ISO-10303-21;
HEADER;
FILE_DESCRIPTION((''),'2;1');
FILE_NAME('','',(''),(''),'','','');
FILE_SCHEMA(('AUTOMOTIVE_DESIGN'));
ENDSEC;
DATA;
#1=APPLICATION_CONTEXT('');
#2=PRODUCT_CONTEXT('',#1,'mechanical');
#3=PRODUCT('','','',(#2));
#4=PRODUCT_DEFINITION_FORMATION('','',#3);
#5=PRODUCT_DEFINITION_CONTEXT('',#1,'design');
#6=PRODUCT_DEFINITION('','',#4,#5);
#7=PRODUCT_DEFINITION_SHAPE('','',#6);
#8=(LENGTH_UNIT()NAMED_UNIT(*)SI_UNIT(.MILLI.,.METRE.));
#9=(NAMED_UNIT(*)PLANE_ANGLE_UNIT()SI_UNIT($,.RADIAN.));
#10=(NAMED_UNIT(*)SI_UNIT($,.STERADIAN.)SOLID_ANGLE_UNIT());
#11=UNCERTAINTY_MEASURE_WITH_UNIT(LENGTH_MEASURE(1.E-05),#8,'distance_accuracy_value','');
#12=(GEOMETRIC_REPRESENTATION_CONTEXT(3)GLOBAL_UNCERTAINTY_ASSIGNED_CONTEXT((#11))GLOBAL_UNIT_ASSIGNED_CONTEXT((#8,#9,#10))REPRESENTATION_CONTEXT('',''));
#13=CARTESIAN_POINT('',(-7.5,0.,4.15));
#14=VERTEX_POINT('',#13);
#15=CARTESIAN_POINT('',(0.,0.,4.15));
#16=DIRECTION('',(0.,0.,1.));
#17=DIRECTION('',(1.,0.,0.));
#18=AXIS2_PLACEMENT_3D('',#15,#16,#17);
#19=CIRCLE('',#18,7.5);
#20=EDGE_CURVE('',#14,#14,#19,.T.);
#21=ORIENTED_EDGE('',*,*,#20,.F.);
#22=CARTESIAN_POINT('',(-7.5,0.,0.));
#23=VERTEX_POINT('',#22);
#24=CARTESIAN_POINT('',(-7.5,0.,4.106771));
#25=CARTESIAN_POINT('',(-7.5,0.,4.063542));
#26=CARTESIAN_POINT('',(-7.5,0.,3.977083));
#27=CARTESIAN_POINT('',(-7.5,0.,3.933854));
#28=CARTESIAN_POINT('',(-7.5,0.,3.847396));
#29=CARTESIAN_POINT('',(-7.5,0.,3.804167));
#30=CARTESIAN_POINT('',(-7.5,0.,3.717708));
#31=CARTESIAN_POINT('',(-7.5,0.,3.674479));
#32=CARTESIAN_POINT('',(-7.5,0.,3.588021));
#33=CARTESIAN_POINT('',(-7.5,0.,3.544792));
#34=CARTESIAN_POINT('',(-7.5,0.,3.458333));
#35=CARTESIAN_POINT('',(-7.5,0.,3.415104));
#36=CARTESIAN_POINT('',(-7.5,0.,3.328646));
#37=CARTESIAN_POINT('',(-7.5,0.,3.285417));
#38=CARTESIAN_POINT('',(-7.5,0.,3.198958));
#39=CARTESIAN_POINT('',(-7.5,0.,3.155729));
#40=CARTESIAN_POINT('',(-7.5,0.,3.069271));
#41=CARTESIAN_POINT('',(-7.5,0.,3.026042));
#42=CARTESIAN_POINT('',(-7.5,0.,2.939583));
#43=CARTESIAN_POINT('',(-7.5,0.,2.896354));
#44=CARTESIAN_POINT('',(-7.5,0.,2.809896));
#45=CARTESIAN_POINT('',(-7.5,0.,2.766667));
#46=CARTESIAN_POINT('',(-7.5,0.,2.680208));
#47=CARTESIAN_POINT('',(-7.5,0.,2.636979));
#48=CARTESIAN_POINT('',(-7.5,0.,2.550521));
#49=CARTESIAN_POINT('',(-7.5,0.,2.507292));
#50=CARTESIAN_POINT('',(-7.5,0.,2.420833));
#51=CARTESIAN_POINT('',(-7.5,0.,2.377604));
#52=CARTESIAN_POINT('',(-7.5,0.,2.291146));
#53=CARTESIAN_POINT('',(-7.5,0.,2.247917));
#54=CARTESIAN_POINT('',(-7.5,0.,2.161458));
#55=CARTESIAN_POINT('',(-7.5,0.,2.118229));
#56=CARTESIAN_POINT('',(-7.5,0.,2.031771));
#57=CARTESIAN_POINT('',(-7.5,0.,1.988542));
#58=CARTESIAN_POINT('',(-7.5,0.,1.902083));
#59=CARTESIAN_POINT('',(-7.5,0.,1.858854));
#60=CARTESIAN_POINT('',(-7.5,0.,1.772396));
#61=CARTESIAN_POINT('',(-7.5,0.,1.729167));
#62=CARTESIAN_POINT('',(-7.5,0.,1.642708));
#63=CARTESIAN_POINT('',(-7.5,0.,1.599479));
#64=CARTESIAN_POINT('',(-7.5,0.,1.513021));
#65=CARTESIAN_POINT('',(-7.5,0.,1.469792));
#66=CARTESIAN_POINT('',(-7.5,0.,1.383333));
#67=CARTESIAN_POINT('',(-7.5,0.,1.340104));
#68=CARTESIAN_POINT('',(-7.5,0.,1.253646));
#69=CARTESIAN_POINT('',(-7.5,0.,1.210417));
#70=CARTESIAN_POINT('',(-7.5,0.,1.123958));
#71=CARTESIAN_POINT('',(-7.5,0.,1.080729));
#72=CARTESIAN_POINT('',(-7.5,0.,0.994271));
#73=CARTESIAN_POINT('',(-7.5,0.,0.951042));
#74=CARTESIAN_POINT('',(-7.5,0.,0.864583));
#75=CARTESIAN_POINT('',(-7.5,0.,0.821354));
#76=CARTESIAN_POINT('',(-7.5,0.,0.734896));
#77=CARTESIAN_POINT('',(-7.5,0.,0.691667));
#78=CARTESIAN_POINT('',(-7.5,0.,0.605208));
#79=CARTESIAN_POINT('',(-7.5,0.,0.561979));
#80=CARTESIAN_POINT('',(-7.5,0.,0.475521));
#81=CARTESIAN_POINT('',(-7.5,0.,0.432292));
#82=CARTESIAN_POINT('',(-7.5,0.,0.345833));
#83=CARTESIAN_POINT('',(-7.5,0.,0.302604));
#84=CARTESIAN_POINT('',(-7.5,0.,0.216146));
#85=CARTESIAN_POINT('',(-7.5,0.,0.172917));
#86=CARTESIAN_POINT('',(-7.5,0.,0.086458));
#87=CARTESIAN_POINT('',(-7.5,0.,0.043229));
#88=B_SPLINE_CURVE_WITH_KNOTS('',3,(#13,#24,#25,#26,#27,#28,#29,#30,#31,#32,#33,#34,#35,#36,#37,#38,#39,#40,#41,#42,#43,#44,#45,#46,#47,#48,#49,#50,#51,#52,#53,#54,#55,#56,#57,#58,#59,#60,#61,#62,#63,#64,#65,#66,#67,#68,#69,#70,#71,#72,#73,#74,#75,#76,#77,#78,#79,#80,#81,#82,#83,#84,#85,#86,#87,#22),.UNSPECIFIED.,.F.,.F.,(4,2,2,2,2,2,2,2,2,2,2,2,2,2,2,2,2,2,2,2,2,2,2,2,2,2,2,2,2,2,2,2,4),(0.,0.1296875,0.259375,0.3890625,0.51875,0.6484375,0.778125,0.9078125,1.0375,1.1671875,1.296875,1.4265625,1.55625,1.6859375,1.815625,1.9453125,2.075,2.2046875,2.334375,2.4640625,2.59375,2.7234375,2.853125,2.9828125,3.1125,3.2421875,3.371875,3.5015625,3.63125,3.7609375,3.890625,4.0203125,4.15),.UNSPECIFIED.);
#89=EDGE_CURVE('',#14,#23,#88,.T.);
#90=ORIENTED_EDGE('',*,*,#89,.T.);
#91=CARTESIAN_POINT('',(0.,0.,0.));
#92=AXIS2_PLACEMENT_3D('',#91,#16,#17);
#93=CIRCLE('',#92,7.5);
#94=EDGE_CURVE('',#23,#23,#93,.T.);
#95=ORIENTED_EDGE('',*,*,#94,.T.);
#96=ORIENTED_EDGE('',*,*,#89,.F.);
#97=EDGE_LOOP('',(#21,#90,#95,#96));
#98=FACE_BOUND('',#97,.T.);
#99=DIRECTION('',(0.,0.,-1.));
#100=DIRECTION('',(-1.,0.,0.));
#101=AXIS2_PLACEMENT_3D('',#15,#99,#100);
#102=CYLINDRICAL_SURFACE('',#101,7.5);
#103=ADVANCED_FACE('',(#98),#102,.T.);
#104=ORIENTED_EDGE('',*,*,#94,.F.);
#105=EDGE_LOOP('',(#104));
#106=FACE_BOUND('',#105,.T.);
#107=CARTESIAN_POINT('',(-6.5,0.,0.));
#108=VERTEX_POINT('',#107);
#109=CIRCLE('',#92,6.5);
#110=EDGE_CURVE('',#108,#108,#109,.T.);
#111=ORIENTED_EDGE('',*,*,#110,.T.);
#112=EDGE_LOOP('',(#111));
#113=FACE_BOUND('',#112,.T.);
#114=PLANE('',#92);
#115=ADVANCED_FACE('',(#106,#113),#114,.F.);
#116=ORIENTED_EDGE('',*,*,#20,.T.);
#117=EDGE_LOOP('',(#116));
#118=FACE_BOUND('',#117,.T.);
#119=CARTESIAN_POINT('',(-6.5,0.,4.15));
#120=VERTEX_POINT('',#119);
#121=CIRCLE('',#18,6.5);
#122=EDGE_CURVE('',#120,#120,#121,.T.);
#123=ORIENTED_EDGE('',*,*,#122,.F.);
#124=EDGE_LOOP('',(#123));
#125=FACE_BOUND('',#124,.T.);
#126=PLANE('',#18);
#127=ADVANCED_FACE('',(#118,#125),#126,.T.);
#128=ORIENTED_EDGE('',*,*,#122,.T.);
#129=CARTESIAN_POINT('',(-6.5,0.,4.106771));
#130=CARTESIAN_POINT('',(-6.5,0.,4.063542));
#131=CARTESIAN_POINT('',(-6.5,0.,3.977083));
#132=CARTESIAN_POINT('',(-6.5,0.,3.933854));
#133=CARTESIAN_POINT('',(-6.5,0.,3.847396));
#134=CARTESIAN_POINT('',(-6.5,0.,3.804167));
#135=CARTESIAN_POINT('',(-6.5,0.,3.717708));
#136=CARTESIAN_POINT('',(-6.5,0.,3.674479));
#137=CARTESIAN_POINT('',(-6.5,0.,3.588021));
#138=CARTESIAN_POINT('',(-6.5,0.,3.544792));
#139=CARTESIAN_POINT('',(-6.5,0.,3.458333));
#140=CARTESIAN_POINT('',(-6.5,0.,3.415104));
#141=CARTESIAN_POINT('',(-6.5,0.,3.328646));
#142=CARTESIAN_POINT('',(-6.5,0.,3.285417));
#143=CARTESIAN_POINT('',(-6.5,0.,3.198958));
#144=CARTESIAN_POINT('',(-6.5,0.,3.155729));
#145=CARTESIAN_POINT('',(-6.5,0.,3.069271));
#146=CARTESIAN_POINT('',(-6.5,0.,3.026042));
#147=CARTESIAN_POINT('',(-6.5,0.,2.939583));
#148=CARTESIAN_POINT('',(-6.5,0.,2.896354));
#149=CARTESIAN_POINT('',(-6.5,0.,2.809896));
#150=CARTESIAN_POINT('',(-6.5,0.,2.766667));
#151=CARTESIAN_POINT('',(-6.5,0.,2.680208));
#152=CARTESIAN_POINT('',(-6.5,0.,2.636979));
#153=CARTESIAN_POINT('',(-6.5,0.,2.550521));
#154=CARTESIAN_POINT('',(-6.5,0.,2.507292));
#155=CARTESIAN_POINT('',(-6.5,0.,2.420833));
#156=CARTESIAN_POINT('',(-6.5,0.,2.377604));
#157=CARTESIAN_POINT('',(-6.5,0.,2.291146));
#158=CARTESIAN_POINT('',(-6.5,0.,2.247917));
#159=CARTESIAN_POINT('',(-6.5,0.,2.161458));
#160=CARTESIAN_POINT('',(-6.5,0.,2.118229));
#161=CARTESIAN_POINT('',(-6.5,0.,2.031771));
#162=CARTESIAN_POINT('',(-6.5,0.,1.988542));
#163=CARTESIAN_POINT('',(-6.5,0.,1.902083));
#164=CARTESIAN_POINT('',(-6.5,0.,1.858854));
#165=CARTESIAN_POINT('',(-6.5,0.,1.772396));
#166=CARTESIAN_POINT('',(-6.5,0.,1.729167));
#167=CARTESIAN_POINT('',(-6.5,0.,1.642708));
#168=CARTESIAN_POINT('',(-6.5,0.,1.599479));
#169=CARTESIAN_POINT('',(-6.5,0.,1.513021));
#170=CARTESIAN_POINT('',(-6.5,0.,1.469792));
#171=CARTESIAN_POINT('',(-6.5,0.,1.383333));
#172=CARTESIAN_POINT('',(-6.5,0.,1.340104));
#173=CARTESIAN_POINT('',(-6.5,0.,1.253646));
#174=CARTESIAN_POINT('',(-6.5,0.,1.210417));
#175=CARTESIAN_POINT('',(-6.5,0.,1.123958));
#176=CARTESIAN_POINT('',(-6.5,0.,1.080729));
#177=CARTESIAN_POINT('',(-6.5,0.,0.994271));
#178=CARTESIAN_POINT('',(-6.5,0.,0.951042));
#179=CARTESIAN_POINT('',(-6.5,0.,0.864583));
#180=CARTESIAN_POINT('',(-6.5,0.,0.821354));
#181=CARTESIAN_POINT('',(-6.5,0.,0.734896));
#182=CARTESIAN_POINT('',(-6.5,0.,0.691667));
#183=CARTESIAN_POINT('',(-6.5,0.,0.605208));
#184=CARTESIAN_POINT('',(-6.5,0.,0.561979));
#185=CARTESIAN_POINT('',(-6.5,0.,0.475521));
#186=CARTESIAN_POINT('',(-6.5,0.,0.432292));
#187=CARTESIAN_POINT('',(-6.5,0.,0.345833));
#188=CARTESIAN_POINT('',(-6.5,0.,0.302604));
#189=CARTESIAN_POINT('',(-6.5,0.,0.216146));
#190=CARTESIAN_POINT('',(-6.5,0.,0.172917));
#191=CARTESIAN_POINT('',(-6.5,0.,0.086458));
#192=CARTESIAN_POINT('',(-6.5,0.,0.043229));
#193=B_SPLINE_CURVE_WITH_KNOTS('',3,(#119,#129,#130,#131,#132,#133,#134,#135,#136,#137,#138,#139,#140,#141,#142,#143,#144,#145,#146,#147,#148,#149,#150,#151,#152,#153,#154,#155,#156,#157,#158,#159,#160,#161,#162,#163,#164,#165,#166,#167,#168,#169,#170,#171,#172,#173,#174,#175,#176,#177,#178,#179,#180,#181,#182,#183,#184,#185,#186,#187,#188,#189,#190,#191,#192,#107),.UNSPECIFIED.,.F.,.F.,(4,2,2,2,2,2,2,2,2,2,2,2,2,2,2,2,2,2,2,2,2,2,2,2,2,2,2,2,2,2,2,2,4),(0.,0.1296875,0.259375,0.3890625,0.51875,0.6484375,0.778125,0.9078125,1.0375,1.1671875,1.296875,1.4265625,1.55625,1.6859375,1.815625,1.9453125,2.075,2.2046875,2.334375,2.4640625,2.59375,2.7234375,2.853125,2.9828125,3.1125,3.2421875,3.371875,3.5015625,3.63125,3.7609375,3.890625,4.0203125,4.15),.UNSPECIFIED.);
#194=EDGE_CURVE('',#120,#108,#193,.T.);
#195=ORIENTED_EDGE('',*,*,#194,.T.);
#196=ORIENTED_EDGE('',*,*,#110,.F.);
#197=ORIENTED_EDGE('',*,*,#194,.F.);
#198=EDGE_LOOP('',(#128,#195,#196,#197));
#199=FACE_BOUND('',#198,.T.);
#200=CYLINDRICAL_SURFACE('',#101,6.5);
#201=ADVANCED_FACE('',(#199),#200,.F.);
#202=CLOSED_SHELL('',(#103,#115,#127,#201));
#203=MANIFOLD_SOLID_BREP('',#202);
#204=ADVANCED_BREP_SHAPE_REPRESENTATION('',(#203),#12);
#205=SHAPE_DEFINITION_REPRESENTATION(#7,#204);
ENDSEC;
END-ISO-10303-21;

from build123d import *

# Parameters (mm, degrees)
SKETCH1_R           = 7.5
SKETCH1_R_2         = 6.5
BOSS_EXTRUDE1_DEPTH = 4.15


with BuildPart() as part:
    # Sketch1 → Boss-Extrude1 (new body)
    with BuildSketch(Plane.XY):
        with Locations(Location((0, 0, 0), (0, 0, 180))):
            Circle(SKETCH1_R)
        with Locations(Location((0, 0, 0), (0, 0, 180))):
            Circle(SKETCH1_R_2, mode=Mode.SUBTRACT)
    extrude(amount=BOSS_EXTRUDE1_DEPTH)


solid = part.part
